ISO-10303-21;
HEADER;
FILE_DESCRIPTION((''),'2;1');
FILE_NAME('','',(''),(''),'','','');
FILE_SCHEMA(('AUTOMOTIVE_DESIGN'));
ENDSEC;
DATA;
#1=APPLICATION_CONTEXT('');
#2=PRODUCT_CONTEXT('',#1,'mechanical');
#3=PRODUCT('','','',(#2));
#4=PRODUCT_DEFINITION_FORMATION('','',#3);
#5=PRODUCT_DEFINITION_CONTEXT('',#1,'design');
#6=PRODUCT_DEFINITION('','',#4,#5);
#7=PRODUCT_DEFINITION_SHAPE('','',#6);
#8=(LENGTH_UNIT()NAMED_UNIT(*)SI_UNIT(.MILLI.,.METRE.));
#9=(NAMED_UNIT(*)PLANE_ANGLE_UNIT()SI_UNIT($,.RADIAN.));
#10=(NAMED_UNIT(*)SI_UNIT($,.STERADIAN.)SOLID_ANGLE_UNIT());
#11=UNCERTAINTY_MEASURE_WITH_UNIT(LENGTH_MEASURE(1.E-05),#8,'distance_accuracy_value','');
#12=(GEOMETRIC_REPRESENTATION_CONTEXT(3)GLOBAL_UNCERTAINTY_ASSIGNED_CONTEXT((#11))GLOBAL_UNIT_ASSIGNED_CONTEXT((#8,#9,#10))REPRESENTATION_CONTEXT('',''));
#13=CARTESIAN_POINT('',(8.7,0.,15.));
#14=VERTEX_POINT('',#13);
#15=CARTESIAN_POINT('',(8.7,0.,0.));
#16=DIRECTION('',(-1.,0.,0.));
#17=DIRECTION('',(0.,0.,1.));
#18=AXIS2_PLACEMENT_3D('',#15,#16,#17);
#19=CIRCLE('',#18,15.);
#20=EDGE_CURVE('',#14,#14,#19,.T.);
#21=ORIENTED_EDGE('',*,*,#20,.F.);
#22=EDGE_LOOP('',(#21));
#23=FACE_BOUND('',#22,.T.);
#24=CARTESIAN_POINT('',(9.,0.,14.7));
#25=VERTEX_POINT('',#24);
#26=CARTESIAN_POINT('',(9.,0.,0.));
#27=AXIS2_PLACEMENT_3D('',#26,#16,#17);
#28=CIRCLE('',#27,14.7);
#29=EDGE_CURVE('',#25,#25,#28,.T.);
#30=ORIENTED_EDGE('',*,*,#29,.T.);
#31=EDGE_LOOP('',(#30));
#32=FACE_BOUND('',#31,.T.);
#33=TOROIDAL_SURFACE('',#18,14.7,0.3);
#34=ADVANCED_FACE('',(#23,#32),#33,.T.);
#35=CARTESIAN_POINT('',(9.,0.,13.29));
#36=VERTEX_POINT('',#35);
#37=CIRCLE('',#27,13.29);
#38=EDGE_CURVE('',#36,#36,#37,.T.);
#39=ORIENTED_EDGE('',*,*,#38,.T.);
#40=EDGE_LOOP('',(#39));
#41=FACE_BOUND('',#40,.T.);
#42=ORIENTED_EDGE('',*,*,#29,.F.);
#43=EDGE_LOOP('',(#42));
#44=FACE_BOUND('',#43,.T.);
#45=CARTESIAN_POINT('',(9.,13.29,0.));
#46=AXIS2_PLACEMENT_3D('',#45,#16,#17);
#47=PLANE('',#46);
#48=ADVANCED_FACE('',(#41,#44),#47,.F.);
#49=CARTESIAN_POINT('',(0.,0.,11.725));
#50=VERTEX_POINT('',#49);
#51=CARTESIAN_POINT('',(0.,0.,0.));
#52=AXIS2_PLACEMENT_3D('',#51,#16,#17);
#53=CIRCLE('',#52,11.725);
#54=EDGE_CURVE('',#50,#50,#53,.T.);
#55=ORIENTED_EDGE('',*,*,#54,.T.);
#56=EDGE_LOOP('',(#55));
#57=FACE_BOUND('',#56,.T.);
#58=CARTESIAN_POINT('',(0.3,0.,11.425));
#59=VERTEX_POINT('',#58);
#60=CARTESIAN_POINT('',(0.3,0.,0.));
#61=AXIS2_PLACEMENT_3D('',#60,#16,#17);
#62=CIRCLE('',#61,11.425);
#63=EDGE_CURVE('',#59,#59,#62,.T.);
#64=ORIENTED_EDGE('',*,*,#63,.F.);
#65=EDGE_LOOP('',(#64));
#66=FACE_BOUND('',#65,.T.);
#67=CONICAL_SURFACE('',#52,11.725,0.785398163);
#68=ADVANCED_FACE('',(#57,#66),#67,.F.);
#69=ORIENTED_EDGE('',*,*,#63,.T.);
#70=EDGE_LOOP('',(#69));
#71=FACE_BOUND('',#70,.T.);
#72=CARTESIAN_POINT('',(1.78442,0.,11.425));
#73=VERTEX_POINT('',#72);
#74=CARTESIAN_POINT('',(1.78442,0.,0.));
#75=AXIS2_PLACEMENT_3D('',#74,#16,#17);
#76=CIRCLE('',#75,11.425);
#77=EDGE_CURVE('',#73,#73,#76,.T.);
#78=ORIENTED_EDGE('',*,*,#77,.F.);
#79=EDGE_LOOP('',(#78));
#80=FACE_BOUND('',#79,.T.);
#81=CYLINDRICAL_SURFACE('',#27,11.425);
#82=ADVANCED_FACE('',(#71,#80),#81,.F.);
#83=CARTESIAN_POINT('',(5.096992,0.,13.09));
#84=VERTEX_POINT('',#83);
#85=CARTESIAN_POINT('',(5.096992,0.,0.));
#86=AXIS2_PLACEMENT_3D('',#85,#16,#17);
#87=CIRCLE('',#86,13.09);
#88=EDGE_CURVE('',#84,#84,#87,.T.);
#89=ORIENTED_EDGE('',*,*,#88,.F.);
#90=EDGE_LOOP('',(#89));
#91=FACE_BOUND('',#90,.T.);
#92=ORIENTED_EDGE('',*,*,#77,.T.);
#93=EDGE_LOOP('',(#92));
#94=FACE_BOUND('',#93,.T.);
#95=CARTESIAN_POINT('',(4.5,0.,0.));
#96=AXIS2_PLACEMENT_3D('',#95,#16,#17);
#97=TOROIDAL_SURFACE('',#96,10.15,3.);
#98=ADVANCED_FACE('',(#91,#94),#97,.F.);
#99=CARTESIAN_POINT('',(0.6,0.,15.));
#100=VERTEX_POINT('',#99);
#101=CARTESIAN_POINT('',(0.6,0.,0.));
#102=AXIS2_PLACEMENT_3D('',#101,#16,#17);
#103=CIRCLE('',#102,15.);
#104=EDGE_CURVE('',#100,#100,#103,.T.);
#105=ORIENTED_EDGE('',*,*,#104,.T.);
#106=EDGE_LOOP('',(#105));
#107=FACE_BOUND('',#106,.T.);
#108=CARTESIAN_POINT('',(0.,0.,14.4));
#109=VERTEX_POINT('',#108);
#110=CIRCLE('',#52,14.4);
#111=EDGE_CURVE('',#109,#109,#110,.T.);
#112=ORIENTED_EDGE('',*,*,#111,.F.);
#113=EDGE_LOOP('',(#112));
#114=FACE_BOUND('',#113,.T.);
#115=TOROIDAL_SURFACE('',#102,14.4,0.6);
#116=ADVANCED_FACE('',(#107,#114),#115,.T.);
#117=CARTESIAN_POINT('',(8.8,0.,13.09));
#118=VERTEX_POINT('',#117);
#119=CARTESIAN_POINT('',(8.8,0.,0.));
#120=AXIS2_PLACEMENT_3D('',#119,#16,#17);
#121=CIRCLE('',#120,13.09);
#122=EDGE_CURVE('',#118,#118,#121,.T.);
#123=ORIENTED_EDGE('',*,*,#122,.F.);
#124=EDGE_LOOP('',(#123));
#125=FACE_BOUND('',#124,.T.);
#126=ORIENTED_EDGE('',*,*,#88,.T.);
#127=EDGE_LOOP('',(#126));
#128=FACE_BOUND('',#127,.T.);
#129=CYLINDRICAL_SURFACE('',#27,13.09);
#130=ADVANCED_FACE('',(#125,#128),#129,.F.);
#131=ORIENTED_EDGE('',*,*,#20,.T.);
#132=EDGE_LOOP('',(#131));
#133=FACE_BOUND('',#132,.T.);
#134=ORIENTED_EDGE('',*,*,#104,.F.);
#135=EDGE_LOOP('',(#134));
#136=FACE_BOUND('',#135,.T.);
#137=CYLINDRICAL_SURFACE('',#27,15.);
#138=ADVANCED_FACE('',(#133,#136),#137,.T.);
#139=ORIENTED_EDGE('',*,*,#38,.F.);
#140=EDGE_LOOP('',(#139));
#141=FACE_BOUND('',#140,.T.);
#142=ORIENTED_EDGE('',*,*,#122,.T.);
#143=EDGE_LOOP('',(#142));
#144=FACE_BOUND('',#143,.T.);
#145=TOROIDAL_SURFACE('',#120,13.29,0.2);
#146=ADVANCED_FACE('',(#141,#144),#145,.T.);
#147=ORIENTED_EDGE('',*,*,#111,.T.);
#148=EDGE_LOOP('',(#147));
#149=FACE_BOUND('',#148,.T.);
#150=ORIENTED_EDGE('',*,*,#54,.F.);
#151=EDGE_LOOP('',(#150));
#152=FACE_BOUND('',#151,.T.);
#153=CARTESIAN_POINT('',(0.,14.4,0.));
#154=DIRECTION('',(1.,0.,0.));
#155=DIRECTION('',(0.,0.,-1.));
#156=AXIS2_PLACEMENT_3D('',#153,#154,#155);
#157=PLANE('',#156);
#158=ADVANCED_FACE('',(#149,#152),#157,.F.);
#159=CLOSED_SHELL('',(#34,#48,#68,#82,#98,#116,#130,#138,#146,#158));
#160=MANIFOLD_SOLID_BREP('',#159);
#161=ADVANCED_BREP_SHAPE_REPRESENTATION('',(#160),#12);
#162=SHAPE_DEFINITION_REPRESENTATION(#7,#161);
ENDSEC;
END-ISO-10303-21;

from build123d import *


with BuildPart() as part:
    # Sketch1 → Revolve1 (revolve)
    with BuildSketch(Plane.XY, mode=Mode.PRIVATE) as revolve1_sk:
        with BuildLine():
            Line((0, 11.725), (0.3, 11.425))
            Line((0.3, 11.425), (1.784419951, 11.425))
            ThreePointArc((1.784419951, 11.425), (3.152721413, 12.830455262), (5.096992462, 13.09))
            Line((5.096992462, 13.09), (8.8, 13.09))
            ThreePointArc((8.8, 13.09), (8.941421356, 13.148578644), (9, 13.29))
            Line((9, 13.29), (9, 14.7))
            ThreePointArc((9, 14.7), (8.912132034, 14.912132034), (8.7, 15))
            Line((8.7, 15), (0.6, 15))
            ThreePointArc((0.6, 15), (0.175735931, 14.824264069), (0, 14.4))
            Line((0, 14.4), (0, 11.725))
        make_face()
    revolve(revolve1_sk.sketch.rotate(Axis((9, 0, 0), (-1, 0, 0)), 270), axis=Axis((9, 0, 0), (-1, 0, 0)))


solid = part.part
